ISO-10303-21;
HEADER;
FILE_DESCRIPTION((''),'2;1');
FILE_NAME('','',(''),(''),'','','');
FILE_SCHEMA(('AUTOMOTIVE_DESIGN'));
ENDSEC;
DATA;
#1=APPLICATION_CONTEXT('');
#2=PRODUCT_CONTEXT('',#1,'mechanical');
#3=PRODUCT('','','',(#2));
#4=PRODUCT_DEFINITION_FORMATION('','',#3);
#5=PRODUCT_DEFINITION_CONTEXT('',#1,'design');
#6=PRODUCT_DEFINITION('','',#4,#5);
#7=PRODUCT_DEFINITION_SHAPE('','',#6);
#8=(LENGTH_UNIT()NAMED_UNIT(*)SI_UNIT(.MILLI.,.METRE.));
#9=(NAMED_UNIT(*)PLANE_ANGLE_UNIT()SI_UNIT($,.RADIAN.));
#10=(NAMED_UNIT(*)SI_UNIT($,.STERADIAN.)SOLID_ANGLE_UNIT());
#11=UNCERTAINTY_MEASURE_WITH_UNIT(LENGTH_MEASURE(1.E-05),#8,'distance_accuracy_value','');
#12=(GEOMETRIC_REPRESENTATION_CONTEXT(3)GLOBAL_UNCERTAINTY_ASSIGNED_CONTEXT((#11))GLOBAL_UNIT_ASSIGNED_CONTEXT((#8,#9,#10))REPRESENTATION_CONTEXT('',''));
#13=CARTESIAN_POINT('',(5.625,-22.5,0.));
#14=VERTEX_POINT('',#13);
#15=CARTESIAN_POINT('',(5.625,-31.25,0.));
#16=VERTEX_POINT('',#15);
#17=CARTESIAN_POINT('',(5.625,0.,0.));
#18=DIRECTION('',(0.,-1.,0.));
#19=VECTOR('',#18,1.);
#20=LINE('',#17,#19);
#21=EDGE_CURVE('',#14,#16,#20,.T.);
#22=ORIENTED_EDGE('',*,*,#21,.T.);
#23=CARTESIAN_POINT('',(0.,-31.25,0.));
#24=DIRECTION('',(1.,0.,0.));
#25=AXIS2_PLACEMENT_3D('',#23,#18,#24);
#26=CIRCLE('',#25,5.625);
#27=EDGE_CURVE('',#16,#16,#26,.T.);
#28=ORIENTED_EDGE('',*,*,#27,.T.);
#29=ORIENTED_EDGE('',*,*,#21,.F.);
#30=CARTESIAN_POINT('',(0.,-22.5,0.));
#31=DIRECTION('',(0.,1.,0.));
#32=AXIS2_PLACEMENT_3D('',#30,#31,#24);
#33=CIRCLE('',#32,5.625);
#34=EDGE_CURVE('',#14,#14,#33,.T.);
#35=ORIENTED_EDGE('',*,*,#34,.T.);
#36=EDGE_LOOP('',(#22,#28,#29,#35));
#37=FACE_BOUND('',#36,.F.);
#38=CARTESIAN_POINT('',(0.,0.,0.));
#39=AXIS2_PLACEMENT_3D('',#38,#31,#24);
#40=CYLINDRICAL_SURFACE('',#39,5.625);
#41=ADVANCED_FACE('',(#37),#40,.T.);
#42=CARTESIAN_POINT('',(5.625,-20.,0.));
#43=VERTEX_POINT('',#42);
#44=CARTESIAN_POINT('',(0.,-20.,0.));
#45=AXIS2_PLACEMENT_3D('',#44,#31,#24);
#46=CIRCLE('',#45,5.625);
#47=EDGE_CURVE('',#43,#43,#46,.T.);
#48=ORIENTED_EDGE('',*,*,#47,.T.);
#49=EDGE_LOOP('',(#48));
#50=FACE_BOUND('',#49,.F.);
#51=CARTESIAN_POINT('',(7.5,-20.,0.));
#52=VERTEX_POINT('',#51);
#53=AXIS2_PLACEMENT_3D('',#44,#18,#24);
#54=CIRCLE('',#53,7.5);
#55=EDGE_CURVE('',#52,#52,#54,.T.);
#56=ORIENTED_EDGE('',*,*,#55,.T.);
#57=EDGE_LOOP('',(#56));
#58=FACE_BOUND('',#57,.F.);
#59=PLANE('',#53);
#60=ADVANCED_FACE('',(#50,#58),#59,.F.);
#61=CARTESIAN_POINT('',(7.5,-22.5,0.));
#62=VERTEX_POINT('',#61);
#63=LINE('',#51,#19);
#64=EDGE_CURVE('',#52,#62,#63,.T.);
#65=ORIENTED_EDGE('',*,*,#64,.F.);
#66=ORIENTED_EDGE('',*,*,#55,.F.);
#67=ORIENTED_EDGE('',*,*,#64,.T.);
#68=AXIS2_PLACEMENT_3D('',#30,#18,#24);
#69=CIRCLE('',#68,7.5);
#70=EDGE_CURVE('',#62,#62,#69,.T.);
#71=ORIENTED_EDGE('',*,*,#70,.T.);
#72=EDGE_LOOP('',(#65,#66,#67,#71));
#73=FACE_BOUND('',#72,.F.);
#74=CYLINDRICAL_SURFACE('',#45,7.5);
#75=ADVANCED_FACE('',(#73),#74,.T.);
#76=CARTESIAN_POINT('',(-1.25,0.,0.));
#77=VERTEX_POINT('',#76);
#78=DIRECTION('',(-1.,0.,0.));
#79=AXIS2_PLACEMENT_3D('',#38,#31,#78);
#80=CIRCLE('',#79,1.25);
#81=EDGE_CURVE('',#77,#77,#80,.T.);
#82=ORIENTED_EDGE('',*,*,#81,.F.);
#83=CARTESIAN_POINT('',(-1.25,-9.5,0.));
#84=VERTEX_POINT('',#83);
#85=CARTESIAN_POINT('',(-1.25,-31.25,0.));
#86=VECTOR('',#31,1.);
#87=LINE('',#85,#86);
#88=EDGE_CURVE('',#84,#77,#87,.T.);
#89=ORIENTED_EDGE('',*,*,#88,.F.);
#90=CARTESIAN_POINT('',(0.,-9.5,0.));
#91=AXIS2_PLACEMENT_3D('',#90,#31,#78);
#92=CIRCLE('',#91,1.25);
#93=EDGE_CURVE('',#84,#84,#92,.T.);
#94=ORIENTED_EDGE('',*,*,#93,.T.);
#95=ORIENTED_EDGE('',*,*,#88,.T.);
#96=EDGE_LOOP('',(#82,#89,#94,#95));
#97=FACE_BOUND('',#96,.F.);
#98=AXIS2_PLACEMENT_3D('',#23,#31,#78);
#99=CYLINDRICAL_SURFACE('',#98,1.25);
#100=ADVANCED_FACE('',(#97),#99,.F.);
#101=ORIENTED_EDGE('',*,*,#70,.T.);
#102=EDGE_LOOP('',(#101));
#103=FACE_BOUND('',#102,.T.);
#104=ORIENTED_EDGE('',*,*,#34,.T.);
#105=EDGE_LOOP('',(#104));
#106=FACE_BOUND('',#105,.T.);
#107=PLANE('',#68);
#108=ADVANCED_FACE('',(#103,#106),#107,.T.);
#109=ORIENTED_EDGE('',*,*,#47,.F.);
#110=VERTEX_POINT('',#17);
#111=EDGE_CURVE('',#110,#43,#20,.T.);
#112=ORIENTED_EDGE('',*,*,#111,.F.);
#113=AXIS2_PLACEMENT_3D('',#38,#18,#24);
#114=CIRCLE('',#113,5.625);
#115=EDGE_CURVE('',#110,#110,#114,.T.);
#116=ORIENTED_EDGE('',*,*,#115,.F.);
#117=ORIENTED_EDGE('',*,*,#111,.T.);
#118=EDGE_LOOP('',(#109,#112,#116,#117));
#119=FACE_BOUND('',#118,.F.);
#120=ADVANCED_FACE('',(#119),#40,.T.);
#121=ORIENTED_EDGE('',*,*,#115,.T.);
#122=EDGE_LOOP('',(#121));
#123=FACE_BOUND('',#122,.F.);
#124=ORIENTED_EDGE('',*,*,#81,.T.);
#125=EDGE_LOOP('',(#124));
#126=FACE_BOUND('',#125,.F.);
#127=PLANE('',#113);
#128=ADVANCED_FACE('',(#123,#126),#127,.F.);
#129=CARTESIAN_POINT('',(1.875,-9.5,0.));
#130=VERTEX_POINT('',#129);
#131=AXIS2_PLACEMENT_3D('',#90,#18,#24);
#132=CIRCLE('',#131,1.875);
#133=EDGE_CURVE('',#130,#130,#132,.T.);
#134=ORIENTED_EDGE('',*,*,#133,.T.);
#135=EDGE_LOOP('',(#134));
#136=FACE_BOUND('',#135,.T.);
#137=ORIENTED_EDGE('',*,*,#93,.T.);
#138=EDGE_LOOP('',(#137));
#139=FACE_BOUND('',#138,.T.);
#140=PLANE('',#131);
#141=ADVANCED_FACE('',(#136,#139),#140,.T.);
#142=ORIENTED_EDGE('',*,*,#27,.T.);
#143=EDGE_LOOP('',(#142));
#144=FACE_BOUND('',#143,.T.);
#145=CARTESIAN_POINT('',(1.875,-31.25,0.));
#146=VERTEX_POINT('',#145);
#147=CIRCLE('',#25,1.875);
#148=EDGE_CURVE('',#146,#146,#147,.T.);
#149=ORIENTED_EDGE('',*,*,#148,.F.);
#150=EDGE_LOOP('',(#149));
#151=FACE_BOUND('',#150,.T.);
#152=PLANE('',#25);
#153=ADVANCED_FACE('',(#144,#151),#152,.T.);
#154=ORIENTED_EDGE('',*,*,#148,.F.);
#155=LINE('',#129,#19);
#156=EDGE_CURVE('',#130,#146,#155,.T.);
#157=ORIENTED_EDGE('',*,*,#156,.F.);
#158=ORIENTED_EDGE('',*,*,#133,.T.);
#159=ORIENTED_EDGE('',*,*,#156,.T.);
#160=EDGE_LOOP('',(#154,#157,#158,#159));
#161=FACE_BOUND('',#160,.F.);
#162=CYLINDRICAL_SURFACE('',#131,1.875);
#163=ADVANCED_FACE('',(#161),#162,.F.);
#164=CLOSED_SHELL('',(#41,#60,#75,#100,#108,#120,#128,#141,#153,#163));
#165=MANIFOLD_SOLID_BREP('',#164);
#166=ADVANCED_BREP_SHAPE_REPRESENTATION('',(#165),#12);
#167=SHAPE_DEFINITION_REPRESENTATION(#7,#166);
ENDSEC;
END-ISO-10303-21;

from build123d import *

# Parameters (mm, degrees)
F0_R           = 5.625
F1_DEPTH       = 31.25
F3_R           = 7.5
F4_DEPTH       = 2.5
F6_D           = 2.5
F6_DEPTH       = 40
F6_CBORE_D     = 3.75
F6_CBORE_DEPTH = 21.75


with BuildPart() as f1:
    # F0 (on Front) → F1 (new body)
    with BuildSketch(Plane.XZ):
        Circle(F0_R)
    extrude(amount=F1_DEPTH)

    # F3 (on offset) → F4 (join)
    with BuildSketch(Plane.XZ.offset(20)):
        Circle(F3_R)
    extrude(amount=F4_DEPTH)

    # F6
    with Locations(Plane.XZ.offset(31.25)):
        with Locations((0, 0)):
            CounterBoreHole(F6_D / 2, F6_CBORE_D / 2, F6_CBORE_DEPTH, depth=F6_DEPTH)


solid = f1.part
